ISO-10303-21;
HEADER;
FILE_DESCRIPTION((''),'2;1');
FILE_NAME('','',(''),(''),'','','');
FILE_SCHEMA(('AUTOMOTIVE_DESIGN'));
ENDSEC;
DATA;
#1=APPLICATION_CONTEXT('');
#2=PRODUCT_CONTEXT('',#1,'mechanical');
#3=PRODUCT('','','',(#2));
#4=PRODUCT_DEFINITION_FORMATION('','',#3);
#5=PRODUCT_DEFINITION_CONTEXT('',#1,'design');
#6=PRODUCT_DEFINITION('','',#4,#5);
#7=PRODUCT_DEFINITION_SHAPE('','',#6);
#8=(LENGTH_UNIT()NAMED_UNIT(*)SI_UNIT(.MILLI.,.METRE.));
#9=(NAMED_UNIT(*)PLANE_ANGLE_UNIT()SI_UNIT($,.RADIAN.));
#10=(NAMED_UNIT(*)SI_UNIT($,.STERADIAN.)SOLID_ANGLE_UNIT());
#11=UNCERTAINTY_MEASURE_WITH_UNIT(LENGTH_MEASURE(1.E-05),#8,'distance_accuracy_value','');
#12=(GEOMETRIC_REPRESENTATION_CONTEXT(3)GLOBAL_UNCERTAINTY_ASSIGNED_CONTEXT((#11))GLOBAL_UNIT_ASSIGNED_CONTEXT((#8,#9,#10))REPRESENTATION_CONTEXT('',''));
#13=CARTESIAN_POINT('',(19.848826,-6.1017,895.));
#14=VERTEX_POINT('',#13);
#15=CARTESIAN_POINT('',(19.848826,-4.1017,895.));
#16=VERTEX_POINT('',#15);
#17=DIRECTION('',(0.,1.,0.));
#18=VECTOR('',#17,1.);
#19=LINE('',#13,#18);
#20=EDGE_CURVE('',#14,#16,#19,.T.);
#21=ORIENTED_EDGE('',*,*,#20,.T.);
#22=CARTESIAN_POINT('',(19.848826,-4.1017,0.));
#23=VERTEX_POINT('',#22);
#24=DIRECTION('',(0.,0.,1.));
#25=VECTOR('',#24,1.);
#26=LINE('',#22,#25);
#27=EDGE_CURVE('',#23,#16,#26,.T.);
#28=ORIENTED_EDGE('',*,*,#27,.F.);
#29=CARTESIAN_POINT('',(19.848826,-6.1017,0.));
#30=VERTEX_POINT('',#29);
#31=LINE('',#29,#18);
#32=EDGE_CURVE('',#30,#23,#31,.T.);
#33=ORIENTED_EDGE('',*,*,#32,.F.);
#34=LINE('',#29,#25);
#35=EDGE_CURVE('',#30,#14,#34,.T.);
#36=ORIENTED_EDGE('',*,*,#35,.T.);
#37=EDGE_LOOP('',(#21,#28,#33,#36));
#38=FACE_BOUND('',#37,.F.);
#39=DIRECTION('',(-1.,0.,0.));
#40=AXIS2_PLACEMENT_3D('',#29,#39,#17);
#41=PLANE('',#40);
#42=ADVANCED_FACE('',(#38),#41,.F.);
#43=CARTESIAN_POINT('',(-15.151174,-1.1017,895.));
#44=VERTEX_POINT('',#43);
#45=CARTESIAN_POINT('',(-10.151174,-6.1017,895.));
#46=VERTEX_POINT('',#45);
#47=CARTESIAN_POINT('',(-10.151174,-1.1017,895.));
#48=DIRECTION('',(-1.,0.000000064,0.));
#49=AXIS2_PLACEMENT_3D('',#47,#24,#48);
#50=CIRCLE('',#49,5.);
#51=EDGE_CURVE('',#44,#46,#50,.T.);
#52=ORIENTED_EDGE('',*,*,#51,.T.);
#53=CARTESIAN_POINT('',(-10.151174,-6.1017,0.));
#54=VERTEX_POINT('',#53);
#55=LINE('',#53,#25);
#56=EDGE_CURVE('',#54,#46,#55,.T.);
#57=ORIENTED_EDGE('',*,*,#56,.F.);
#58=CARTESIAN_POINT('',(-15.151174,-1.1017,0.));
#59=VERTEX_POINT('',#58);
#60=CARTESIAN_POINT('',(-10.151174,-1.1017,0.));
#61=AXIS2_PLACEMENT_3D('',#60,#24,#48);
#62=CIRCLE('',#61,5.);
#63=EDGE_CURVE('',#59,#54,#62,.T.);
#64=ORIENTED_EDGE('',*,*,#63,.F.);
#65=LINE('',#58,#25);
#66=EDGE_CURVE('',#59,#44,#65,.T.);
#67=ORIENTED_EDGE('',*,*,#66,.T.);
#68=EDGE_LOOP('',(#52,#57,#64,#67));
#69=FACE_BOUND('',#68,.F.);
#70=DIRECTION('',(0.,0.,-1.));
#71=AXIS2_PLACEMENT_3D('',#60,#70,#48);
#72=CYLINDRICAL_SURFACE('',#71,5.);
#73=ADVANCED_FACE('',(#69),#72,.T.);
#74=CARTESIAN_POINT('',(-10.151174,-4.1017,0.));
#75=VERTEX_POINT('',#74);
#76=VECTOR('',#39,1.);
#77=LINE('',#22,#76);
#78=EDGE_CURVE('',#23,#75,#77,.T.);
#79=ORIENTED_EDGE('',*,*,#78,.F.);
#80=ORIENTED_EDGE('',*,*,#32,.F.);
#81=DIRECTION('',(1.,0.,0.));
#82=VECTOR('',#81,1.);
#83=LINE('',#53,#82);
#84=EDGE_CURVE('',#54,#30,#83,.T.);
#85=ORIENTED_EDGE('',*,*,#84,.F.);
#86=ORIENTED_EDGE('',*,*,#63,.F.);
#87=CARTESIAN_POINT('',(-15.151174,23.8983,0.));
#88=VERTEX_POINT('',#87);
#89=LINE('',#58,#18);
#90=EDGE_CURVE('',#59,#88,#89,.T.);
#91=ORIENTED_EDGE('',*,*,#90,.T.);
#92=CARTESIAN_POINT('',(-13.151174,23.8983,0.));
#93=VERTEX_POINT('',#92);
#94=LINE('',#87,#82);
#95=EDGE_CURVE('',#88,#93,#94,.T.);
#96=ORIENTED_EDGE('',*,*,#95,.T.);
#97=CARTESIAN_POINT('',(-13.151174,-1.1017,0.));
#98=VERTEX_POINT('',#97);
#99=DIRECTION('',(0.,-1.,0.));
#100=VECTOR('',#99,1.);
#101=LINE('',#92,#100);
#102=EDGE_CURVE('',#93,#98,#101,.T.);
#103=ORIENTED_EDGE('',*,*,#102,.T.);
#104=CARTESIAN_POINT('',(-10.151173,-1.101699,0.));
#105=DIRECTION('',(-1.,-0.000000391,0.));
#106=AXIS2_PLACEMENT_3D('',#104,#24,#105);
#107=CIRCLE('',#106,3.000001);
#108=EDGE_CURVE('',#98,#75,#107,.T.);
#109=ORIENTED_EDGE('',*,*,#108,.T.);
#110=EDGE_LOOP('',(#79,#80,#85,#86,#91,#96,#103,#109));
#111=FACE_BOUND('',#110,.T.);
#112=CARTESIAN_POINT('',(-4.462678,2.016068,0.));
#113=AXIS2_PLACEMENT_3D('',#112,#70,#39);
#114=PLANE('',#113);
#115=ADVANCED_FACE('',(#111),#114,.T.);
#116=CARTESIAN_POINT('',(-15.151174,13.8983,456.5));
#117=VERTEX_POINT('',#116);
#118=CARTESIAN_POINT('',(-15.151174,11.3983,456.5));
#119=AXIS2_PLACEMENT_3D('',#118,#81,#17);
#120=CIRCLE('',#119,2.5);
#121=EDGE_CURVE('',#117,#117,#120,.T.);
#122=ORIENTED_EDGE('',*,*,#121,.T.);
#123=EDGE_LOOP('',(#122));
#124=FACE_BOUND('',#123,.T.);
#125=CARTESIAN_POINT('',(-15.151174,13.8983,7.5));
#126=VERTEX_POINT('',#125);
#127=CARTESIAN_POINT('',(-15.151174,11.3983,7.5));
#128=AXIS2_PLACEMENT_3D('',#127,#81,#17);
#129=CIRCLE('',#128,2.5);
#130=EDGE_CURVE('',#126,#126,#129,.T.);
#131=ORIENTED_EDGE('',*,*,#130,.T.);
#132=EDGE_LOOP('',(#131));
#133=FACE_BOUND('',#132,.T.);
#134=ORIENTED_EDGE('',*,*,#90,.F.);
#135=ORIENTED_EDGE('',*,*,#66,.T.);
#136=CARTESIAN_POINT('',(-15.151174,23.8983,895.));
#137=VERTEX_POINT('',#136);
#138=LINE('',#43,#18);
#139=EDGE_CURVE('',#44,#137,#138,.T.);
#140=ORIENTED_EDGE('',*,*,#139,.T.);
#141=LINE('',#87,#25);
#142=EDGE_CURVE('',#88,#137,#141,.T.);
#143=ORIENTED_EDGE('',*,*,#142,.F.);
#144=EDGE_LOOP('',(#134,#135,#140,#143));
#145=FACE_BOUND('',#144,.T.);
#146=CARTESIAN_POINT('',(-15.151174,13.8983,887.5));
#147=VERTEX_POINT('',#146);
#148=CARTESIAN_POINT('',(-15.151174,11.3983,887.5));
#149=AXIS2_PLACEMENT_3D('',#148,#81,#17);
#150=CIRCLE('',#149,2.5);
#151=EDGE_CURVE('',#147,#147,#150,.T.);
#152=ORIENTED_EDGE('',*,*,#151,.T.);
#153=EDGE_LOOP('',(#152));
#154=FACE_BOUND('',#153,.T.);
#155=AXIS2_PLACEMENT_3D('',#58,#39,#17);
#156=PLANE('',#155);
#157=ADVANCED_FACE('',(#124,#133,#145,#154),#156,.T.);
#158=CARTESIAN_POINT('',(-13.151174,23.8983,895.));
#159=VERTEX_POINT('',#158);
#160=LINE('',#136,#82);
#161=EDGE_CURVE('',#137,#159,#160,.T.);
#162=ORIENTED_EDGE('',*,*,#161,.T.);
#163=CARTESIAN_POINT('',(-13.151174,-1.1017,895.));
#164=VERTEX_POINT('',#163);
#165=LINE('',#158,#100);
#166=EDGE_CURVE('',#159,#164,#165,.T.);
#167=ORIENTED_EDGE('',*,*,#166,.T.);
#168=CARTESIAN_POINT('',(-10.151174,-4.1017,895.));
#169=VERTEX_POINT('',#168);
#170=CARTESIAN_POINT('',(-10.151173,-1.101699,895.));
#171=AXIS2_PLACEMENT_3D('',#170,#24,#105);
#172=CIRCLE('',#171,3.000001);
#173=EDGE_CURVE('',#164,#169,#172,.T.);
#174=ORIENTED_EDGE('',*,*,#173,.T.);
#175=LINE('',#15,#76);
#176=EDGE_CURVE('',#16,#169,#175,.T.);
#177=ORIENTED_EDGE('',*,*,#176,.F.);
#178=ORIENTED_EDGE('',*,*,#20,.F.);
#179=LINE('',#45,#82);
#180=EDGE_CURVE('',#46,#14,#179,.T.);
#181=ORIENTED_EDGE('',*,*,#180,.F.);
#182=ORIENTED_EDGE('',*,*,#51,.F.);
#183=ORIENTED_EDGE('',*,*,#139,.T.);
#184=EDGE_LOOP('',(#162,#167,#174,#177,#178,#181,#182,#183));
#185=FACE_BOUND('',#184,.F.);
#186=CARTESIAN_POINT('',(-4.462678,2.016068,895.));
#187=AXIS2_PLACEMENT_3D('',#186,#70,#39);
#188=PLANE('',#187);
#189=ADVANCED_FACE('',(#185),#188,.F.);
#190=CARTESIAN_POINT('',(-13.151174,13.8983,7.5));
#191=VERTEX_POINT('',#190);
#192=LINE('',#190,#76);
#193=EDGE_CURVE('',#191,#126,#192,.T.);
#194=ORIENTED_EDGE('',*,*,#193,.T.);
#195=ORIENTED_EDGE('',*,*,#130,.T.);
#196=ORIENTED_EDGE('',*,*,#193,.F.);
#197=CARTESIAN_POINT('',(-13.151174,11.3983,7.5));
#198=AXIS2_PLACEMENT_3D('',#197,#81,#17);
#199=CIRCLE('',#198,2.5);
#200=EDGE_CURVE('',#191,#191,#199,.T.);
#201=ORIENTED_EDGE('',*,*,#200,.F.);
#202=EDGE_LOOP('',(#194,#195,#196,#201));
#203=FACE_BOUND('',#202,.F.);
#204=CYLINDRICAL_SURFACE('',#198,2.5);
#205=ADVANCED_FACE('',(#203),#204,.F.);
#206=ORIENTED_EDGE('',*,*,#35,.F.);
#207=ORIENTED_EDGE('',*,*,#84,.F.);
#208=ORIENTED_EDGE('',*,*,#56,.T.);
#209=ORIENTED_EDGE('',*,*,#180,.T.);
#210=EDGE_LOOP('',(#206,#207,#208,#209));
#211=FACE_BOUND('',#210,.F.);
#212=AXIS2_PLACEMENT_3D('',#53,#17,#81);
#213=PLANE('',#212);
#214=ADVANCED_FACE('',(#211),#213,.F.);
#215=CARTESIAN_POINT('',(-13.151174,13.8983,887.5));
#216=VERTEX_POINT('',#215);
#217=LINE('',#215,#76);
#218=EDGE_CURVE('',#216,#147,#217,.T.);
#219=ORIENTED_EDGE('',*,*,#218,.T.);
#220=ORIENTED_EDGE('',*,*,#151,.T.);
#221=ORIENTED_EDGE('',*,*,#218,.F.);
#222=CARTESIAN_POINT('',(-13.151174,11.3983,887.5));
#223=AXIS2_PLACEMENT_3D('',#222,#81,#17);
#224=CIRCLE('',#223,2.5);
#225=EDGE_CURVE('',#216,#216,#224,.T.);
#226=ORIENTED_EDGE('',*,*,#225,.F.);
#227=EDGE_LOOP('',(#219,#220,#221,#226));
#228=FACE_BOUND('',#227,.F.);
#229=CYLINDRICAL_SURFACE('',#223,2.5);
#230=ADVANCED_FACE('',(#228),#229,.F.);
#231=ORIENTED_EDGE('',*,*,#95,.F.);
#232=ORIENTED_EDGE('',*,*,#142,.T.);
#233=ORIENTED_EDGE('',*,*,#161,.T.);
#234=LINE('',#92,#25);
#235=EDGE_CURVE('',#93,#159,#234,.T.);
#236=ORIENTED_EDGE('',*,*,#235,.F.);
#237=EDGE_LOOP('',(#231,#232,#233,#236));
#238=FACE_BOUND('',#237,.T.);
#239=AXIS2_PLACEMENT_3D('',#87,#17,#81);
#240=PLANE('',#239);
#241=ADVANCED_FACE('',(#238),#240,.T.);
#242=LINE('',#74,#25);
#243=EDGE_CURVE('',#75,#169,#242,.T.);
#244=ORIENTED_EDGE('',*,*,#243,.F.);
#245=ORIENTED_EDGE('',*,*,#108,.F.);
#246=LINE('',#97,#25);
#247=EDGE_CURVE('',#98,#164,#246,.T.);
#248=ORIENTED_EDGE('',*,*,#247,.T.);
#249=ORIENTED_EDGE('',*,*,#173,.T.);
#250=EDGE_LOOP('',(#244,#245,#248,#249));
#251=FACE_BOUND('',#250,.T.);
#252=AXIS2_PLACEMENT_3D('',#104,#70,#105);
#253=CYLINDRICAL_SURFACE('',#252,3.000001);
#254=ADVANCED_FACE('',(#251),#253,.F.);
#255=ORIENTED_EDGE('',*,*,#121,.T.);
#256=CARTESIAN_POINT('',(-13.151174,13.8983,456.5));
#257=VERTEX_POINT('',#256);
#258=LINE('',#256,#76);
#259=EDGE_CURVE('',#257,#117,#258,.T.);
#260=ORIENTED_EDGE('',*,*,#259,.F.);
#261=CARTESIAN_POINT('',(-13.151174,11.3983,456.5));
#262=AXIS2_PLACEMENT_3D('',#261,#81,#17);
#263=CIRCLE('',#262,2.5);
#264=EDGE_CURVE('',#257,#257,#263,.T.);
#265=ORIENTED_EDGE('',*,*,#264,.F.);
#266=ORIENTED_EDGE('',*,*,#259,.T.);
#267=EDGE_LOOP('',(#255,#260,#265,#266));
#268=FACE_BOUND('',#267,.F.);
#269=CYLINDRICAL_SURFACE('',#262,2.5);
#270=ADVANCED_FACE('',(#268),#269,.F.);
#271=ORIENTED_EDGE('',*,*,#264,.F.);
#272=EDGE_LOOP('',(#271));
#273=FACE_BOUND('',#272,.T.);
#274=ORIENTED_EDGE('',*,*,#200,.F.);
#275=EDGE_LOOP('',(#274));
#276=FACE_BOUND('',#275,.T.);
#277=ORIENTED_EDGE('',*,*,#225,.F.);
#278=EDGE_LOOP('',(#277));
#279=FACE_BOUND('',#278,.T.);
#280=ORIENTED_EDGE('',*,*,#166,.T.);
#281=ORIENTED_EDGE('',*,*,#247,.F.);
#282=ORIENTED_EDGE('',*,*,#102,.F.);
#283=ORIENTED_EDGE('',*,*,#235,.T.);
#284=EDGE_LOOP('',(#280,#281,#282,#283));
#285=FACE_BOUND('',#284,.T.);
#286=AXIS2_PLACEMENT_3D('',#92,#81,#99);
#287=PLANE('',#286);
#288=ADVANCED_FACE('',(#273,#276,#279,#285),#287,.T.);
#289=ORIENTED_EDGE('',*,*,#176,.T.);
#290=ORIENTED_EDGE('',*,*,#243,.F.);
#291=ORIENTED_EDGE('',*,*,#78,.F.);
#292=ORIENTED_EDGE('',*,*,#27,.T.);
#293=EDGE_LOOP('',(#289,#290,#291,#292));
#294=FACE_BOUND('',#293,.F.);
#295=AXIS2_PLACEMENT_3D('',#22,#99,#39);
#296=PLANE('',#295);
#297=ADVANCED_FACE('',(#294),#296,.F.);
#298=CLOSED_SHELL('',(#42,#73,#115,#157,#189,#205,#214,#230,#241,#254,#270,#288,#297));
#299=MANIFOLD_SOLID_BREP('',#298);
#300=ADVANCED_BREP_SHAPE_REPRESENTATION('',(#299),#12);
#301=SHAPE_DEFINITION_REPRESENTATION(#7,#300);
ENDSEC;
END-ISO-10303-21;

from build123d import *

# Parameters (mm, degrees)
PAD_DEPTH    = 895
SKETCH001_R  = 2.5
POCKET_DEPTH = 5


with BuildPart() as part:
    # Sketch → Pad (new body)
    with BuildSketch(Plane.XY):
        with BuildLine():
            Line((-15.151174, 23.8983), (-13.151174, 23.8983))
            Line((-13.151174, 23.8983), (-13.151174, -1.1017))
            ThreePointArc((-13.151174, -1.1017), (-12.272494, -3.22302), (-10.151174, -4.1017))
            Line((19.848826, -4.1017), (-10.151174, -4.1017))
            Line((19.848826, -6.1017), (19.848826, -4.1017))
            Line((-10.151174, -6.1017), (19.848826, -6.1017))
            ThreePointArc((-15.151174, -1.1017), (-13.686708, -4.637234), (-10.151174, -6.1017))
            Line((-15.151174, -1.1017), (-15.151174, 23.8983))
        make_face()
    extrude(amount=PAD_DEPTH)

    # Sketch001 → Pocket (cut)
    with BuildSketch(Plane.YZ.offset(-13.151174)):
        with Locations((11.3983, 887.5)):
            Circle(SKETCH001_R)
        with Locations((11.3983, 456.5)):
            Circle(SKETCH001_R)
        with Locations((11.3983, 7.5)):
            Circle(SKETCH001_R)
    extrude(amount=-POCKET_DEPTH, mode=Mode.SUBTRACT)


solid = part.part
